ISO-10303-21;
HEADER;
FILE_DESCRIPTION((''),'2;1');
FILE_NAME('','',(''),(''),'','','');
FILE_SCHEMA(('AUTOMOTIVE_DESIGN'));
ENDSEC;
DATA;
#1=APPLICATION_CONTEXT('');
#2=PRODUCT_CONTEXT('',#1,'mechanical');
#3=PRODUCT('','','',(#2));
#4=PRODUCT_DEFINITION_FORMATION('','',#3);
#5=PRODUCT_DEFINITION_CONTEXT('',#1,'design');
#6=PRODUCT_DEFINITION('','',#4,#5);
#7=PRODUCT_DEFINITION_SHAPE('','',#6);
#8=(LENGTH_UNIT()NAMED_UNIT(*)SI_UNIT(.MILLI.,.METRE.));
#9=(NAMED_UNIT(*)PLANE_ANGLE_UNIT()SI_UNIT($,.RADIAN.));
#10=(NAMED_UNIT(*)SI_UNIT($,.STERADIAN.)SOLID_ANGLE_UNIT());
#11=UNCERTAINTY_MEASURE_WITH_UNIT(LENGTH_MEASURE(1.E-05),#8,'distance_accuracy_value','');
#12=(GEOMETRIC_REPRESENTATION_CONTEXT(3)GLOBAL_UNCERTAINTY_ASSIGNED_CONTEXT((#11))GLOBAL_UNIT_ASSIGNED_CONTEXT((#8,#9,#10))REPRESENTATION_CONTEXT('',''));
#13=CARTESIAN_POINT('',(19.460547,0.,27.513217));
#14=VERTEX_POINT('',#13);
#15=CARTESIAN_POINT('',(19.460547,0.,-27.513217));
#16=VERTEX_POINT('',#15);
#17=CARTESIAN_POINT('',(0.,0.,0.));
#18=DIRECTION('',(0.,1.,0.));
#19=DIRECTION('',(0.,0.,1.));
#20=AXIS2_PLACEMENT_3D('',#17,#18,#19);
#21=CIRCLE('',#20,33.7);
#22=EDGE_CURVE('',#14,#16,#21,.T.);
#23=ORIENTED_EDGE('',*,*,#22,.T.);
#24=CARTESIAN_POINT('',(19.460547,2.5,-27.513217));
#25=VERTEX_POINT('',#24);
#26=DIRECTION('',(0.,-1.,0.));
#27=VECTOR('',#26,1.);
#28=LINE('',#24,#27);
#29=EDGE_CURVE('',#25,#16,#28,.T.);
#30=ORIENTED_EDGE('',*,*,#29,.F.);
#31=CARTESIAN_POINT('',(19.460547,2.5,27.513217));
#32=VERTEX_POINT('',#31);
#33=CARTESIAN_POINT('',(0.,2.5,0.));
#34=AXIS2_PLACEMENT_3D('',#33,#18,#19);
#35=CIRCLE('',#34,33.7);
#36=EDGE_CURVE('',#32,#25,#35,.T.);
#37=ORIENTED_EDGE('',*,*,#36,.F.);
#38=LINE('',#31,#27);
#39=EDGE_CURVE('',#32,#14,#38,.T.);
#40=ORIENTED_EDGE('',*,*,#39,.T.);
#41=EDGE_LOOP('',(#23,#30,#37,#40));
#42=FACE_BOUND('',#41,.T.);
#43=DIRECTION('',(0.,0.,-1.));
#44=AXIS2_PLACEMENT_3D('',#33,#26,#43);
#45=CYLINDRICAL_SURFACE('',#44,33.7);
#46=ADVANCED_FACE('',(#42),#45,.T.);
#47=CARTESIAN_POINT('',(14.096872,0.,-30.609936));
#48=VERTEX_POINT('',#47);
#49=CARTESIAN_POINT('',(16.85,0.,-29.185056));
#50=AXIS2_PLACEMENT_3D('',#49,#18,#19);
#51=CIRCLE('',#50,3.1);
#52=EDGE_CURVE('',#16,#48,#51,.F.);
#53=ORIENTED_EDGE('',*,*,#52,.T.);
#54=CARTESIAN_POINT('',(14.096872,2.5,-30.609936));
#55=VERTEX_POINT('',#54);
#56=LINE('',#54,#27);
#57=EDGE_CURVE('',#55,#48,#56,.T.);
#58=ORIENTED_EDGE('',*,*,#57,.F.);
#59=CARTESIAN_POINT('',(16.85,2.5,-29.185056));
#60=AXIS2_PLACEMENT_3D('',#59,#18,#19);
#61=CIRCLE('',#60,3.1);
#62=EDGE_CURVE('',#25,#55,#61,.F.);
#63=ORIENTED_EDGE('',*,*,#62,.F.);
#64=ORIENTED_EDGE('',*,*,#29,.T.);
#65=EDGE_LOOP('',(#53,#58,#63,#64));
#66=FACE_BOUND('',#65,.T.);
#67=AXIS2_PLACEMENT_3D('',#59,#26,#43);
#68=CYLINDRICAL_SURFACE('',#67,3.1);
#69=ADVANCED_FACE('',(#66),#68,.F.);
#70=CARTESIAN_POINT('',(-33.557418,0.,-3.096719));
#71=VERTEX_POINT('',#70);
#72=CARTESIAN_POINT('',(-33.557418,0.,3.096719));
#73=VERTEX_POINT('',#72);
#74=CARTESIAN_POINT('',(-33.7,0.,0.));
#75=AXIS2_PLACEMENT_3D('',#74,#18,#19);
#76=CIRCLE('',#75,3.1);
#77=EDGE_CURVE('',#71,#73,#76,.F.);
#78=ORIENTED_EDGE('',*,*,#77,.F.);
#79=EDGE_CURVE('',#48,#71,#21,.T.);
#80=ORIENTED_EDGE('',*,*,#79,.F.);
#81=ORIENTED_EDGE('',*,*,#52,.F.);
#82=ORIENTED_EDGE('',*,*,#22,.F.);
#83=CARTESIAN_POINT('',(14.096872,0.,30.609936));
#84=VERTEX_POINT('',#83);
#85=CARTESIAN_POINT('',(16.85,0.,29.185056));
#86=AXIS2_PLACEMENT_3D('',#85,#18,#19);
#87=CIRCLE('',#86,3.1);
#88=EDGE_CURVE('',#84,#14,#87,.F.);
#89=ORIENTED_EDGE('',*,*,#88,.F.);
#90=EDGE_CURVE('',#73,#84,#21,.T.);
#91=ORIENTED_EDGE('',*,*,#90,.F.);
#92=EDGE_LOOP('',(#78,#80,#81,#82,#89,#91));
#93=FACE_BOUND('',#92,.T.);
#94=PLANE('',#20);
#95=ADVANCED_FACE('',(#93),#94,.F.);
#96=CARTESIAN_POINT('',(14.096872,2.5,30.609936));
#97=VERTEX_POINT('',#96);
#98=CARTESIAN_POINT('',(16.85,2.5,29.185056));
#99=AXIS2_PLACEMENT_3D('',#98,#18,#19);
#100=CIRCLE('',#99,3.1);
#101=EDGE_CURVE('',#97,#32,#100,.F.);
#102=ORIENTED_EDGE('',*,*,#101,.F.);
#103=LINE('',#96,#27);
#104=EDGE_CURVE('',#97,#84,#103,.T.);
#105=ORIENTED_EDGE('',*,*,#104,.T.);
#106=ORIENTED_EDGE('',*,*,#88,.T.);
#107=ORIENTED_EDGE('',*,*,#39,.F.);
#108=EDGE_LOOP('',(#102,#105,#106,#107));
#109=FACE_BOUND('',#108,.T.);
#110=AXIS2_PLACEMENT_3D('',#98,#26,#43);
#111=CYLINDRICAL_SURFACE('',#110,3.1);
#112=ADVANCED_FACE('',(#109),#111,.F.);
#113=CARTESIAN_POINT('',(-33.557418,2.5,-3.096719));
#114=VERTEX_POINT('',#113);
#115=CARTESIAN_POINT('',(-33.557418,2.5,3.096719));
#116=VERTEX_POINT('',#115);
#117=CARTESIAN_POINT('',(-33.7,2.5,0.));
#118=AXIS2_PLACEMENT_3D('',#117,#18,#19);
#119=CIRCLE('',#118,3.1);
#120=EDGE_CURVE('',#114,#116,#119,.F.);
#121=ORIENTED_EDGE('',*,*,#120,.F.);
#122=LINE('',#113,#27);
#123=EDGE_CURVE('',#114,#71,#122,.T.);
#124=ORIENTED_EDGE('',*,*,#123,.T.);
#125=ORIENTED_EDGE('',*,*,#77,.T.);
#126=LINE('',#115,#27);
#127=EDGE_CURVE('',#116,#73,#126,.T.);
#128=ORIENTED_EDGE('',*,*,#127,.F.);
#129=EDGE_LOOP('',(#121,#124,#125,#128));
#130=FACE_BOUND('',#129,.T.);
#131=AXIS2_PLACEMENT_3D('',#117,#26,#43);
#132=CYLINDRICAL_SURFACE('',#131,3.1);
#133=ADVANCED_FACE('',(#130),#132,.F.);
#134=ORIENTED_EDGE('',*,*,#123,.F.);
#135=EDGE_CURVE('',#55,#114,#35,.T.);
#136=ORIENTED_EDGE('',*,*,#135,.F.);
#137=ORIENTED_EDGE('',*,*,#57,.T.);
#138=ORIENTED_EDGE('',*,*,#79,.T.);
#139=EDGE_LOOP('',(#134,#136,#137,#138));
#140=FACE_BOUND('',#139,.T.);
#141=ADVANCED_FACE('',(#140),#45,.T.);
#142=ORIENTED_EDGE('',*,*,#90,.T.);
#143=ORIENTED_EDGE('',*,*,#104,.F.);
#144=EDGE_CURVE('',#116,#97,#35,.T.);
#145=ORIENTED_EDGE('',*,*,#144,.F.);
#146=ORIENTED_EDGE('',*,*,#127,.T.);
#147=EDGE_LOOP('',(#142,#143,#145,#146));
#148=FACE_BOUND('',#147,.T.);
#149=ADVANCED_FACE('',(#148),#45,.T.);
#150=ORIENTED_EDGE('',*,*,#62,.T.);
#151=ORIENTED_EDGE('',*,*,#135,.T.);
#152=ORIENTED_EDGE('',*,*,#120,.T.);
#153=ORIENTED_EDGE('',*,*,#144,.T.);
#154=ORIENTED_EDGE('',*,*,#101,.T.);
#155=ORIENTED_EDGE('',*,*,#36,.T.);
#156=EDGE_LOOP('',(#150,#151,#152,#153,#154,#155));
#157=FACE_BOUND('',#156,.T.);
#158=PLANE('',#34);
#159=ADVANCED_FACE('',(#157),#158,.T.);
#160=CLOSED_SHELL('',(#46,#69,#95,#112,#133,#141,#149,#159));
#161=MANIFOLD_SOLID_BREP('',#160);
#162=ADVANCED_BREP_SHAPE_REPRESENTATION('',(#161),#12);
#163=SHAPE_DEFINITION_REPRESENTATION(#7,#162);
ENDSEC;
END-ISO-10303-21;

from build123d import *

# Parameters (mm, degrees)
BOSS_EXTRU_1_DEPTH = 2.5


with BuildPart() as part:
    # Esquisse1 → Boss.-Extru.1 (new body)
    with BuildSketch(Plane(origin=(0, 0, 0), x_dir=(1, 0, 0), z_dir=(0, 1, 0))):
        with BuildLine():
            Line((33.7, 0), (-30.6, 0))
            ThreePointArc((-30.6, 0), (-31.458125453, -2.141027444), (-33.557418398, -3.09671931))
            ThreePointArc((-33.557418398, -3.09671931), (-16.85, -29.185056108), (14.096871608, -30.609936473))
            ThreePointArc((14.096871608, -30.609936473), (15.3, -26.500377356), (19.46054679, -27.513217163))
            ThreePointArc((19.46054679, -27.513217163), (29.929169942, -15.489828488), (33.7, 0))
        make_face()
        with BuildLine():
            ThreePointArc((-33.557418398, 3.09671931), (-31.458125453, 2.141027444), (-30.6, 0))
            Line((-30.6, 0), (33.7, 0))
            ThreePointArc((33.7, 0), (29.929169942, 15.489828488), (19.46054679, 27.513217163))
            ThreePointArc((19.46054679, 27.513217163), (15.3, 26.500377356), (14.096871608, 30.609936473))
            ThreePointArc((14.096871608, 30.609936473), (-16.85, 29.185056108), (-33.557418398, 3.09671931))
        make_face()
    extrude(amount=BOSS_EXTRU_1_DEPTH)


solid = part.part
